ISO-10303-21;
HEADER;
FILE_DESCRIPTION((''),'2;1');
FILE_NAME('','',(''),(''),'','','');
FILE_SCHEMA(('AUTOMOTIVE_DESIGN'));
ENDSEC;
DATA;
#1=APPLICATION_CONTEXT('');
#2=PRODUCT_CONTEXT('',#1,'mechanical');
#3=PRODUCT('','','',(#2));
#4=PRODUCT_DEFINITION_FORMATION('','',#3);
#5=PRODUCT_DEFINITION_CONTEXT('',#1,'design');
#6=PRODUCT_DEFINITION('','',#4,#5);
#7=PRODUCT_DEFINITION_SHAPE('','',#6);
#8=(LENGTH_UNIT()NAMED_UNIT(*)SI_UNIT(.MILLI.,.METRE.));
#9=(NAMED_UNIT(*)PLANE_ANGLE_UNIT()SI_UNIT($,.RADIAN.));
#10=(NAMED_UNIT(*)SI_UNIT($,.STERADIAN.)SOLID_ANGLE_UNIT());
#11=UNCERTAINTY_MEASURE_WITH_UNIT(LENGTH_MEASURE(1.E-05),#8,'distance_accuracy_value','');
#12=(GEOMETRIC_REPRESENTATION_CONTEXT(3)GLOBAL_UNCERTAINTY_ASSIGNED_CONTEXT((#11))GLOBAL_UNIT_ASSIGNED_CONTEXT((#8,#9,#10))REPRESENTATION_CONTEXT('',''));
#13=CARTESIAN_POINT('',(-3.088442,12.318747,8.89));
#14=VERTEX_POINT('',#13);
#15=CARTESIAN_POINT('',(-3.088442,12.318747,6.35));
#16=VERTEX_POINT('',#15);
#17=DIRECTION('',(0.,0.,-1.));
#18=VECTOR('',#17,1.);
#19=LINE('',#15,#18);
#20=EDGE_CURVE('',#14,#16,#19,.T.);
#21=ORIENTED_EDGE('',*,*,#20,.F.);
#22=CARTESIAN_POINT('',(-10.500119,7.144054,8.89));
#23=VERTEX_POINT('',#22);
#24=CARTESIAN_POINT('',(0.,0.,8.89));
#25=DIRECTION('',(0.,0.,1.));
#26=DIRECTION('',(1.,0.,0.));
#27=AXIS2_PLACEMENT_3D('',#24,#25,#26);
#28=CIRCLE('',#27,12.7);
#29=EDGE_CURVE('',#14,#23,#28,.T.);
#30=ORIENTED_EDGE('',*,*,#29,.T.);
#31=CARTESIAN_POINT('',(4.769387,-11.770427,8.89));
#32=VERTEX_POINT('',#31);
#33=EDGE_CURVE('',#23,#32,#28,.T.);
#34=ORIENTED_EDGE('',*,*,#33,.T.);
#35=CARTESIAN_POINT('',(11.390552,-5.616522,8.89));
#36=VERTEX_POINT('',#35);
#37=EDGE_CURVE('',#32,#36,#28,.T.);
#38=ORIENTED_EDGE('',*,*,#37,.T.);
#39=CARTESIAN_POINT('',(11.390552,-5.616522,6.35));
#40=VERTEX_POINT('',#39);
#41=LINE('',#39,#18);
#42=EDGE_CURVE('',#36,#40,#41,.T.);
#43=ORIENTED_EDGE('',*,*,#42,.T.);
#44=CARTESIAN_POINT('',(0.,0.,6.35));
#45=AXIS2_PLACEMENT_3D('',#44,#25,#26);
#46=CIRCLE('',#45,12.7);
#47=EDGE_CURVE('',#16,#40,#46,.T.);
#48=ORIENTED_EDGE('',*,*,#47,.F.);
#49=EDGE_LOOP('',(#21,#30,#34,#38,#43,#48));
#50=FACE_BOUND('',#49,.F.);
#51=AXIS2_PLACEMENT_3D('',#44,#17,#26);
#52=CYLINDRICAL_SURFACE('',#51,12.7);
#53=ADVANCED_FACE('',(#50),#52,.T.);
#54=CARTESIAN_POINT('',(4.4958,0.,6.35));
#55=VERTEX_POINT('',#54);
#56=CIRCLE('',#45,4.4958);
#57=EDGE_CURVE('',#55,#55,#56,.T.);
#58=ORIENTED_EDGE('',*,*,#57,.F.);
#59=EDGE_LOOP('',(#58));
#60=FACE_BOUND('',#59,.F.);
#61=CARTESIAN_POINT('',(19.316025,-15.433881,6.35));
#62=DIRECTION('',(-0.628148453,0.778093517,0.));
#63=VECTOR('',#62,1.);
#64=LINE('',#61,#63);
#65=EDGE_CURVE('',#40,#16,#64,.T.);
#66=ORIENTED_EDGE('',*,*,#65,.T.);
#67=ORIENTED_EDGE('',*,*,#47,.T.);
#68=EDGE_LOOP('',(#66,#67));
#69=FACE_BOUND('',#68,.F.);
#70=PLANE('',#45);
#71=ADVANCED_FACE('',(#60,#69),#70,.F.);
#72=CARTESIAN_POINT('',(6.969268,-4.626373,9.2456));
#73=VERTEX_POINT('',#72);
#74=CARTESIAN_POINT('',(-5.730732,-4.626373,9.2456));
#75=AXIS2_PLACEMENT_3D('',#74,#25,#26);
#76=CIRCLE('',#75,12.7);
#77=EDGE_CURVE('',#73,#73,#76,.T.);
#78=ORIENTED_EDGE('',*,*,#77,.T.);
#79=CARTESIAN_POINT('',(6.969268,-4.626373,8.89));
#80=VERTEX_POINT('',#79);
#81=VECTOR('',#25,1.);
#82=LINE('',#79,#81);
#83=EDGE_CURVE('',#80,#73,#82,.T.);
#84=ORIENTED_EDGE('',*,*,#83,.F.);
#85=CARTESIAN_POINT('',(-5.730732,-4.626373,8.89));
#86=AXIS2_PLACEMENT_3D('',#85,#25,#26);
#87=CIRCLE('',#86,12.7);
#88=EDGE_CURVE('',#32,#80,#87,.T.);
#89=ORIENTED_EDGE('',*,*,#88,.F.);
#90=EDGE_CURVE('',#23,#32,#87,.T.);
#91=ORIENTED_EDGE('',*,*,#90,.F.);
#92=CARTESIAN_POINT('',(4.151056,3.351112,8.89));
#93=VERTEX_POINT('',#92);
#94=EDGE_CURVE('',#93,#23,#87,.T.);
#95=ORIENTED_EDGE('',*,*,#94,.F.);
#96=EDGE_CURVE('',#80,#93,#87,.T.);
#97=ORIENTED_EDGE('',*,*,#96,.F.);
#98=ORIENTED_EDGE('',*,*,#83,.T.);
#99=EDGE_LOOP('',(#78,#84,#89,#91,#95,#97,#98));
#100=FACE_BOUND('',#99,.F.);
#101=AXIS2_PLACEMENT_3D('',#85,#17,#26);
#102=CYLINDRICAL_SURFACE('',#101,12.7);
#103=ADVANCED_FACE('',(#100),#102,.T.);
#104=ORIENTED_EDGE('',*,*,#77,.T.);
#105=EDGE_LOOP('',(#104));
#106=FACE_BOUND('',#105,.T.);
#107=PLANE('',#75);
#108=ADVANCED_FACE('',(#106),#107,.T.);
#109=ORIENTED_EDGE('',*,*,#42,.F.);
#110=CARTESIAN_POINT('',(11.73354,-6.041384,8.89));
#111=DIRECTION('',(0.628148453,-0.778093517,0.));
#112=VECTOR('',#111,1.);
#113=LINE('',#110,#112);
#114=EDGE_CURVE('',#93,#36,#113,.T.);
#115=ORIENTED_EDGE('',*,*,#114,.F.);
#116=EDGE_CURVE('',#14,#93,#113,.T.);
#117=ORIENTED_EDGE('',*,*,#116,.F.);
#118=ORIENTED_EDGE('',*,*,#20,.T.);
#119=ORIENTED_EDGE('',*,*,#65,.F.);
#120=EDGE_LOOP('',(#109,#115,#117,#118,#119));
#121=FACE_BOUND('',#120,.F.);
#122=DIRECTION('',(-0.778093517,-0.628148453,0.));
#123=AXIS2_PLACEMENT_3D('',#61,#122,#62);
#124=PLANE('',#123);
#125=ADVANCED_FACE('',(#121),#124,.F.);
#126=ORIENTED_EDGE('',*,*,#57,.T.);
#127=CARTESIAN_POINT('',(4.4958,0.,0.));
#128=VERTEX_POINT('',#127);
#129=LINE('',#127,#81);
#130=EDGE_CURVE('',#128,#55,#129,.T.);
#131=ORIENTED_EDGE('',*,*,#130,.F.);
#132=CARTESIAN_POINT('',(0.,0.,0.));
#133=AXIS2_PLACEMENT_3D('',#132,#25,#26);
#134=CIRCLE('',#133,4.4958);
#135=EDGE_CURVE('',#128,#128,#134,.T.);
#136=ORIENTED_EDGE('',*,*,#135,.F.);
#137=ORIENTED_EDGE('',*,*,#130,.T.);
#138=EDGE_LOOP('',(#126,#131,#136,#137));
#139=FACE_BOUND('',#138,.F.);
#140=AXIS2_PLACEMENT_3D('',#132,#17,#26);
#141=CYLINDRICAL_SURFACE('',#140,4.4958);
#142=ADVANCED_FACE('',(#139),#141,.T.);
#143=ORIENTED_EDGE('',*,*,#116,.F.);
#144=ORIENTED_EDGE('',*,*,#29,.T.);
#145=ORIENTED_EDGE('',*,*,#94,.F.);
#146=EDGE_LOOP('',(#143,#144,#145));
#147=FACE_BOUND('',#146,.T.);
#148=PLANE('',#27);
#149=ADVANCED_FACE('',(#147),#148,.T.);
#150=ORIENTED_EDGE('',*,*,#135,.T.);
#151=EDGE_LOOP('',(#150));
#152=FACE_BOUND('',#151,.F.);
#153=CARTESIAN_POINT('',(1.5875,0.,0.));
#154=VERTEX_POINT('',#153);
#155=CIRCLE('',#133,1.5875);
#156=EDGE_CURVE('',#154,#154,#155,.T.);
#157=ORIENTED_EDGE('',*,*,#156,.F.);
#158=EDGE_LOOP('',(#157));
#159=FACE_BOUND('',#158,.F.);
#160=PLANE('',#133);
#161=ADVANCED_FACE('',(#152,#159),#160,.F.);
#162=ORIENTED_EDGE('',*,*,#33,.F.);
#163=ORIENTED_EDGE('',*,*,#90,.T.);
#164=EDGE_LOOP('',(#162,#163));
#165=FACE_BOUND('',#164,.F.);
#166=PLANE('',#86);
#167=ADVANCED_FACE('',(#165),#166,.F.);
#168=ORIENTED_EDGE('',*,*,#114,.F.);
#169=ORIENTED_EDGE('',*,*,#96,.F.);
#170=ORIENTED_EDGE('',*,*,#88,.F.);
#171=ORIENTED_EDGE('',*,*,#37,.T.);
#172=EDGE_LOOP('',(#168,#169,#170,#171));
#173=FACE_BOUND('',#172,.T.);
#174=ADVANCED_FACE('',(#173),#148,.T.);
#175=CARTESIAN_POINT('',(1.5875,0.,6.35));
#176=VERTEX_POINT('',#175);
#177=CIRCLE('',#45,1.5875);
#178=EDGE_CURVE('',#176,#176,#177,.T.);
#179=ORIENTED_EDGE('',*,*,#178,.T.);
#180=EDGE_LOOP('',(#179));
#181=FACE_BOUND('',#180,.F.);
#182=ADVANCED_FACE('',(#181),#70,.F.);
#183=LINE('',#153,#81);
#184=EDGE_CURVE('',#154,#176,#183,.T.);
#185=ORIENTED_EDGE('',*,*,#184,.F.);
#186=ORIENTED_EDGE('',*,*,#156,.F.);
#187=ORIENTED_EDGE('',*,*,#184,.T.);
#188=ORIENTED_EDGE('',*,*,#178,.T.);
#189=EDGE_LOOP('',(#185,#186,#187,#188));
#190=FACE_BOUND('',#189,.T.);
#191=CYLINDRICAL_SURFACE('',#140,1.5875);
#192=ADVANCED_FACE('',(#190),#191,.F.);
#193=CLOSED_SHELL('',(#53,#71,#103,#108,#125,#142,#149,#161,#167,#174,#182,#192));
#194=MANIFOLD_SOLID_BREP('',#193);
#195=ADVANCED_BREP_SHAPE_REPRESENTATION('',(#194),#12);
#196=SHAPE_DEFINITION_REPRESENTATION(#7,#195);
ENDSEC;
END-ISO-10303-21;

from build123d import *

# Parameters (mm, degrees)
F0_R     = 4.4958
F0_R_2   = 1.5875
F1_DEPTH = 6.35
F2_R     = 12.7
F3_DEPTH = 2.54
F5_DEPTH = 2.541
F6_R     = 12.7
F7_DEPTH = 0.3556


with BuildPart() as f1:
    # F0 (on Top) → F1 (new body)
    with BuildSketch(Plane.XY):
        Circle(F0_R)
        Circle(F0_R_2, mode=Mode.SUBTRACT)
    extrude(amount=F1_DEPTH)

    # F2 (on face) → F3 (join)
    with BuildSketch(Plane.XY.offset(6.35)):
        Circle(F2_R)
    extrude(amount=F3_DEPTH)

    # F4 (on face) → F5 (cut, through all)
    with BuildSketch(Plane(origin=(0, 0, 6.35), x_dir=(1, 0, 0), z_dir=(0, 0, -1))):
        Polygon((21.399127, -20.925693), (19.316025, 15.433881), (-10.036758, -20.925693), align=None)
    extrude(amount=-F5_DEPTH, mode=Mode.SUBTRACT)

    # F6 (on face) → F7 (join)
    with BuildSketch(Plane.XY.offset(8.89)):
        with Locations((-5.730732, -4.626373)):
            Circle(F6_R)
    extrude(amount=F7_DEPTH)


solid = f1.part
